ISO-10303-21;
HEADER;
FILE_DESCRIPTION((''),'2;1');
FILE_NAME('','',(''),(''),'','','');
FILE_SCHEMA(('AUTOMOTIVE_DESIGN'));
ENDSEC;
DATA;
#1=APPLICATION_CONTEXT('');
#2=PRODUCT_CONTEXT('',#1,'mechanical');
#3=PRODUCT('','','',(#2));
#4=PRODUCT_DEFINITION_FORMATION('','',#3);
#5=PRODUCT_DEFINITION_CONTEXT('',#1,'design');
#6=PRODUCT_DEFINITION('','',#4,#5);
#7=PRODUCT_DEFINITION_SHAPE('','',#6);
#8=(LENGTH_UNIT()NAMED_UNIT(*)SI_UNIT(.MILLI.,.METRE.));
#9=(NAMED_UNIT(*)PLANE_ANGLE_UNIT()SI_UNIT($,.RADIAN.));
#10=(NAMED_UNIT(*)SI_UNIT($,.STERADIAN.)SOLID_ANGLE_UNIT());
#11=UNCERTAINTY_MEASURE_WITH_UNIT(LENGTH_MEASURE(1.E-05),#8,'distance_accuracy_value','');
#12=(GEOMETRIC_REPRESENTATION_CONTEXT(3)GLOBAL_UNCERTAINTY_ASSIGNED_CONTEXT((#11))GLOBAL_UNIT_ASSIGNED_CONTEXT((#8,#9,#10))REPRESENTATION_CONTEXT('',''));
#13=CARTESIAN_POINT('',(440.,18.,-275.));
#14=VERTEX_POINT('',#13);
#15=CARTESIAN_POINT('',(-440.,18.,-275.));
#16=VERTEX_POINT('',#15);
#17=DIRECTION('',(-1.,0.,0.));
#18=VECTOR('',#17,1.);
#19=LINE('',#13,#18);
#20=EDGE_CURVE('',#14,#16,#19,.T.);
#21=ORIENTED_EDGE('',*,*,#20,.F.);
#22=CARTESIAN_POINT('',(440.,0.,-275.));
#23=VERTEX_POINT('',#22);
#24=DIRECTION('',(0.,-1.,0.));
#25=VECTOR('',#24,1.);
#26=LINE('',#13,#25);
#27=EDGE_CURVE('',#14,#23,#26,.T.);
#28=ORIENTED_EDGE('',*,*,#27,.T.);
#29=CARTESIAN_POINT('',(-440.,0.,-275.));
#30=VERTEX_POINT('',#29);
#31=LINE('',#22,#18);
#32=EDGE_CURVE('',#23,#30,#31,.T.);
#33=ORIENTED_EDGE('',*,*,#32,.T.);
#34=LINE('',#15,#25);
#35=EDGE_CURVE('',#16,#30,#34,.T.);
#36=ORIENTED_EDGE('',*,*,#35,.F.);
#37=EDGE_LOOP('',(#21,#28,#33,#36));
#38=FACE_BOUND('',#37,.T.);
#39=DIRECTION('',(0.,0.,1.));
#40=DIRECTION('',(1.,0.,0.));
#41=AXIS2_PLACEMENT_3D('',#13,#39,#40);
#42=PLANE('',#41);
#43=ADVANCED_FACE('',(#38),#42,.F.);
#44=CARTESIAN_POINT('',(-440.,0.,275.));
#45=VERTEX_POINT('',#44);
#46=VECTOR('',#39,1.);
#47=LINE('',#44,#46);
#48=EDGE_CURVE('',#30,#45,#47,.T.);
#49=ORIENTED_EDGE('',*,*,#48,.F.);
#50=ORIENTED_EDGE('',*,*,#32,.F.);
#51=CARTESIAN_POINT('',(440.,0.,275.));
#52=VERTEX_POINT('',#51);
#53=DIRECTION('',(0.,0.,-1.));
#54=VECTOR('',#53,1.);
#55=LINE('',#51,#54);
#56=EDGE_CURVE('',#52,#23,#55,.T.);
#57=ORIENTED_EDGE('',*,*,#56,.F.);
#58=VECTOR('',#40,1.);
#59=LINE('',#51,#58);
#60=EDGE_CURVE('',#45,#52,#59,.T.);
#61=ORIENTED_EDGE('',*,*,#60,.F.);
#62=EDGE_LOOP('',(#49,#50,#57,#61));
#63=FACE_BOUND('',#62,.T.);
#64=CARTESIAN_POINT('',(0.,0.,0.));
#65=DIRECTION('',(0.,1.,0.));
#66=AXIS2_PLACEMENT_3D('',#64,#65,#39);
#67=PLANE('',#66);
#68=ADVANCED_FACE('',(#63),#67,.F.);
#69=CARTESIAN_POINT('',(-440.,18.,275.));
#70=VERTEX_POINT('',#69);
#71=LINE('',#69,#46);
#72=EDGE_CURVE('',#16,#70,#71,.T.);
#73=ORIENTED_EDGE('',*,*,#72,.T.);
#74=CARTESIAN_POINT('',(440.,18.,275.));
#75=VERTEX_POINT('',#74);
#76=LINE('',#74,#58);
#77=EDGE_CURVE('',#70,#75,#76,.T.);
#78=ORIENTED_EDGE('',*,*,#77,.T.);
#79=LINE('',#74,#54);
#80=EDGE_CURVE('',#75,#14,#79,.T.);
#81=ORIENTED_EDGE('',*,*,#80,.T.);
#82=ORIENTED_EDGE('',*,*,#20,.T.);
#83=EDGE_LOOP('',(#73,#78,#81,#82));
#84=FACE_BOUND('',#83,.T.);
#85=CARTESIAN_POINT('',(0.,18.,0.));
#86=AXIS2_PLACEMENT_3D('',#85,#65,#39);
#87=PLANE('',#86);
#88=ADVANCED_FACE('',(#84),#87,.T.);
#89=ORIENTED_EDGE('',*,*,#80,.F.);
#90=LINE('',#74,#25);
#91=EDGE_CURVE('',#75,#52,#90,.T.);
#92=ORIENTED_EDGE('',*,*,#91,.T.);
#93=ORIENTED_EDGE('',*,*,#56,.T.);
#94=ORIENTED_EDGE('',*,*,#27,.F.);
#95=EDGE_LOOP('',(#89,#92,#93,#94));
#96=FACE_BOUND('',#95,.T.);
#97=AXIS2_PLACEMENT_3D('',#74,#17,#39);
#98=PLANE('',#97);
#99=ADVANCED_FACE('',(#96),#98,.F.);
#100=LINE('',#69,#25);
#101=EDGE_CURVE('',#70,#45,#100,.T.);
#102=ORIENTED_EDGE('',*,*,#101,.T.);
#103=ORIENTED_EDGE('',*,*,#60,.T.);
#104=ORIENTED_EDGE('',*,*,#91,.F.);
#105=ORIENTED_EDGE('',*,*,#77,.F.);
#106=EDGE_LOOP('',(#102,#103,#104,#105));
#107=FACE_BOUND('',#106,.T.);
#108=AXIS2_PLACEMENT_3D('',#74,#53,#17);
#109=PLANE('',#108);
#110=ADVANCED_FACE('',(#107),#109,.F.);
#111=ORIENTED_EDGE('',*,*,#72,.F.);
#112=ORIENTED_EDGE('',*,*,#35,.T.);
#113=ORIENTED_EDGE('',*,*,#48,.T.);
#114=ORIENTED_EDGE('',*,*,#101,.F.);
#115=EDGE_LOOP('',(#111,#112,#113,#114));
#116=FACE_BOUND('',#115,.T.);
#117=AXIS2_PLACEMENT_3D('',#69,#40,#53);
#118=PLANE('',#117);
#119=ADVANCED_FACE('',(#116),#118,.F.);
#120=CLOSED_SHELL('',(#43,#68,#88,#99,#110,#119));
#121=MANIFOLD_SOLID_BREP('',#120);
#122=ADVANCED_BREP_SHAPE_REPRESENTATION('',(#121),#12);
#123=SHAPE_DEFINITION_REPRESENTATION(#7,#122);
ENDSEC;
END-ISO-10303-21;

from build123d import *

# Parameters (mm, degrees)
SKETCH_1_W      = 880
SKETCH_1_H      = 550
EXTRUDE_1_DEPTH = 18


with BuildPart() as part:
    # Эскиз1 → Бобышка-Вытянуть1 (new body)
    with BuildSketch(Plane(origin=(0, 0, 0), x_dir=(1, 0, 0), z_dir=(0, 1, 0))):
        Rectangle(SKETCH_1_W, SKETCH_1_H)
    extrude(amount=EXTRUDE_1_DEPTH)


solid = part.part
